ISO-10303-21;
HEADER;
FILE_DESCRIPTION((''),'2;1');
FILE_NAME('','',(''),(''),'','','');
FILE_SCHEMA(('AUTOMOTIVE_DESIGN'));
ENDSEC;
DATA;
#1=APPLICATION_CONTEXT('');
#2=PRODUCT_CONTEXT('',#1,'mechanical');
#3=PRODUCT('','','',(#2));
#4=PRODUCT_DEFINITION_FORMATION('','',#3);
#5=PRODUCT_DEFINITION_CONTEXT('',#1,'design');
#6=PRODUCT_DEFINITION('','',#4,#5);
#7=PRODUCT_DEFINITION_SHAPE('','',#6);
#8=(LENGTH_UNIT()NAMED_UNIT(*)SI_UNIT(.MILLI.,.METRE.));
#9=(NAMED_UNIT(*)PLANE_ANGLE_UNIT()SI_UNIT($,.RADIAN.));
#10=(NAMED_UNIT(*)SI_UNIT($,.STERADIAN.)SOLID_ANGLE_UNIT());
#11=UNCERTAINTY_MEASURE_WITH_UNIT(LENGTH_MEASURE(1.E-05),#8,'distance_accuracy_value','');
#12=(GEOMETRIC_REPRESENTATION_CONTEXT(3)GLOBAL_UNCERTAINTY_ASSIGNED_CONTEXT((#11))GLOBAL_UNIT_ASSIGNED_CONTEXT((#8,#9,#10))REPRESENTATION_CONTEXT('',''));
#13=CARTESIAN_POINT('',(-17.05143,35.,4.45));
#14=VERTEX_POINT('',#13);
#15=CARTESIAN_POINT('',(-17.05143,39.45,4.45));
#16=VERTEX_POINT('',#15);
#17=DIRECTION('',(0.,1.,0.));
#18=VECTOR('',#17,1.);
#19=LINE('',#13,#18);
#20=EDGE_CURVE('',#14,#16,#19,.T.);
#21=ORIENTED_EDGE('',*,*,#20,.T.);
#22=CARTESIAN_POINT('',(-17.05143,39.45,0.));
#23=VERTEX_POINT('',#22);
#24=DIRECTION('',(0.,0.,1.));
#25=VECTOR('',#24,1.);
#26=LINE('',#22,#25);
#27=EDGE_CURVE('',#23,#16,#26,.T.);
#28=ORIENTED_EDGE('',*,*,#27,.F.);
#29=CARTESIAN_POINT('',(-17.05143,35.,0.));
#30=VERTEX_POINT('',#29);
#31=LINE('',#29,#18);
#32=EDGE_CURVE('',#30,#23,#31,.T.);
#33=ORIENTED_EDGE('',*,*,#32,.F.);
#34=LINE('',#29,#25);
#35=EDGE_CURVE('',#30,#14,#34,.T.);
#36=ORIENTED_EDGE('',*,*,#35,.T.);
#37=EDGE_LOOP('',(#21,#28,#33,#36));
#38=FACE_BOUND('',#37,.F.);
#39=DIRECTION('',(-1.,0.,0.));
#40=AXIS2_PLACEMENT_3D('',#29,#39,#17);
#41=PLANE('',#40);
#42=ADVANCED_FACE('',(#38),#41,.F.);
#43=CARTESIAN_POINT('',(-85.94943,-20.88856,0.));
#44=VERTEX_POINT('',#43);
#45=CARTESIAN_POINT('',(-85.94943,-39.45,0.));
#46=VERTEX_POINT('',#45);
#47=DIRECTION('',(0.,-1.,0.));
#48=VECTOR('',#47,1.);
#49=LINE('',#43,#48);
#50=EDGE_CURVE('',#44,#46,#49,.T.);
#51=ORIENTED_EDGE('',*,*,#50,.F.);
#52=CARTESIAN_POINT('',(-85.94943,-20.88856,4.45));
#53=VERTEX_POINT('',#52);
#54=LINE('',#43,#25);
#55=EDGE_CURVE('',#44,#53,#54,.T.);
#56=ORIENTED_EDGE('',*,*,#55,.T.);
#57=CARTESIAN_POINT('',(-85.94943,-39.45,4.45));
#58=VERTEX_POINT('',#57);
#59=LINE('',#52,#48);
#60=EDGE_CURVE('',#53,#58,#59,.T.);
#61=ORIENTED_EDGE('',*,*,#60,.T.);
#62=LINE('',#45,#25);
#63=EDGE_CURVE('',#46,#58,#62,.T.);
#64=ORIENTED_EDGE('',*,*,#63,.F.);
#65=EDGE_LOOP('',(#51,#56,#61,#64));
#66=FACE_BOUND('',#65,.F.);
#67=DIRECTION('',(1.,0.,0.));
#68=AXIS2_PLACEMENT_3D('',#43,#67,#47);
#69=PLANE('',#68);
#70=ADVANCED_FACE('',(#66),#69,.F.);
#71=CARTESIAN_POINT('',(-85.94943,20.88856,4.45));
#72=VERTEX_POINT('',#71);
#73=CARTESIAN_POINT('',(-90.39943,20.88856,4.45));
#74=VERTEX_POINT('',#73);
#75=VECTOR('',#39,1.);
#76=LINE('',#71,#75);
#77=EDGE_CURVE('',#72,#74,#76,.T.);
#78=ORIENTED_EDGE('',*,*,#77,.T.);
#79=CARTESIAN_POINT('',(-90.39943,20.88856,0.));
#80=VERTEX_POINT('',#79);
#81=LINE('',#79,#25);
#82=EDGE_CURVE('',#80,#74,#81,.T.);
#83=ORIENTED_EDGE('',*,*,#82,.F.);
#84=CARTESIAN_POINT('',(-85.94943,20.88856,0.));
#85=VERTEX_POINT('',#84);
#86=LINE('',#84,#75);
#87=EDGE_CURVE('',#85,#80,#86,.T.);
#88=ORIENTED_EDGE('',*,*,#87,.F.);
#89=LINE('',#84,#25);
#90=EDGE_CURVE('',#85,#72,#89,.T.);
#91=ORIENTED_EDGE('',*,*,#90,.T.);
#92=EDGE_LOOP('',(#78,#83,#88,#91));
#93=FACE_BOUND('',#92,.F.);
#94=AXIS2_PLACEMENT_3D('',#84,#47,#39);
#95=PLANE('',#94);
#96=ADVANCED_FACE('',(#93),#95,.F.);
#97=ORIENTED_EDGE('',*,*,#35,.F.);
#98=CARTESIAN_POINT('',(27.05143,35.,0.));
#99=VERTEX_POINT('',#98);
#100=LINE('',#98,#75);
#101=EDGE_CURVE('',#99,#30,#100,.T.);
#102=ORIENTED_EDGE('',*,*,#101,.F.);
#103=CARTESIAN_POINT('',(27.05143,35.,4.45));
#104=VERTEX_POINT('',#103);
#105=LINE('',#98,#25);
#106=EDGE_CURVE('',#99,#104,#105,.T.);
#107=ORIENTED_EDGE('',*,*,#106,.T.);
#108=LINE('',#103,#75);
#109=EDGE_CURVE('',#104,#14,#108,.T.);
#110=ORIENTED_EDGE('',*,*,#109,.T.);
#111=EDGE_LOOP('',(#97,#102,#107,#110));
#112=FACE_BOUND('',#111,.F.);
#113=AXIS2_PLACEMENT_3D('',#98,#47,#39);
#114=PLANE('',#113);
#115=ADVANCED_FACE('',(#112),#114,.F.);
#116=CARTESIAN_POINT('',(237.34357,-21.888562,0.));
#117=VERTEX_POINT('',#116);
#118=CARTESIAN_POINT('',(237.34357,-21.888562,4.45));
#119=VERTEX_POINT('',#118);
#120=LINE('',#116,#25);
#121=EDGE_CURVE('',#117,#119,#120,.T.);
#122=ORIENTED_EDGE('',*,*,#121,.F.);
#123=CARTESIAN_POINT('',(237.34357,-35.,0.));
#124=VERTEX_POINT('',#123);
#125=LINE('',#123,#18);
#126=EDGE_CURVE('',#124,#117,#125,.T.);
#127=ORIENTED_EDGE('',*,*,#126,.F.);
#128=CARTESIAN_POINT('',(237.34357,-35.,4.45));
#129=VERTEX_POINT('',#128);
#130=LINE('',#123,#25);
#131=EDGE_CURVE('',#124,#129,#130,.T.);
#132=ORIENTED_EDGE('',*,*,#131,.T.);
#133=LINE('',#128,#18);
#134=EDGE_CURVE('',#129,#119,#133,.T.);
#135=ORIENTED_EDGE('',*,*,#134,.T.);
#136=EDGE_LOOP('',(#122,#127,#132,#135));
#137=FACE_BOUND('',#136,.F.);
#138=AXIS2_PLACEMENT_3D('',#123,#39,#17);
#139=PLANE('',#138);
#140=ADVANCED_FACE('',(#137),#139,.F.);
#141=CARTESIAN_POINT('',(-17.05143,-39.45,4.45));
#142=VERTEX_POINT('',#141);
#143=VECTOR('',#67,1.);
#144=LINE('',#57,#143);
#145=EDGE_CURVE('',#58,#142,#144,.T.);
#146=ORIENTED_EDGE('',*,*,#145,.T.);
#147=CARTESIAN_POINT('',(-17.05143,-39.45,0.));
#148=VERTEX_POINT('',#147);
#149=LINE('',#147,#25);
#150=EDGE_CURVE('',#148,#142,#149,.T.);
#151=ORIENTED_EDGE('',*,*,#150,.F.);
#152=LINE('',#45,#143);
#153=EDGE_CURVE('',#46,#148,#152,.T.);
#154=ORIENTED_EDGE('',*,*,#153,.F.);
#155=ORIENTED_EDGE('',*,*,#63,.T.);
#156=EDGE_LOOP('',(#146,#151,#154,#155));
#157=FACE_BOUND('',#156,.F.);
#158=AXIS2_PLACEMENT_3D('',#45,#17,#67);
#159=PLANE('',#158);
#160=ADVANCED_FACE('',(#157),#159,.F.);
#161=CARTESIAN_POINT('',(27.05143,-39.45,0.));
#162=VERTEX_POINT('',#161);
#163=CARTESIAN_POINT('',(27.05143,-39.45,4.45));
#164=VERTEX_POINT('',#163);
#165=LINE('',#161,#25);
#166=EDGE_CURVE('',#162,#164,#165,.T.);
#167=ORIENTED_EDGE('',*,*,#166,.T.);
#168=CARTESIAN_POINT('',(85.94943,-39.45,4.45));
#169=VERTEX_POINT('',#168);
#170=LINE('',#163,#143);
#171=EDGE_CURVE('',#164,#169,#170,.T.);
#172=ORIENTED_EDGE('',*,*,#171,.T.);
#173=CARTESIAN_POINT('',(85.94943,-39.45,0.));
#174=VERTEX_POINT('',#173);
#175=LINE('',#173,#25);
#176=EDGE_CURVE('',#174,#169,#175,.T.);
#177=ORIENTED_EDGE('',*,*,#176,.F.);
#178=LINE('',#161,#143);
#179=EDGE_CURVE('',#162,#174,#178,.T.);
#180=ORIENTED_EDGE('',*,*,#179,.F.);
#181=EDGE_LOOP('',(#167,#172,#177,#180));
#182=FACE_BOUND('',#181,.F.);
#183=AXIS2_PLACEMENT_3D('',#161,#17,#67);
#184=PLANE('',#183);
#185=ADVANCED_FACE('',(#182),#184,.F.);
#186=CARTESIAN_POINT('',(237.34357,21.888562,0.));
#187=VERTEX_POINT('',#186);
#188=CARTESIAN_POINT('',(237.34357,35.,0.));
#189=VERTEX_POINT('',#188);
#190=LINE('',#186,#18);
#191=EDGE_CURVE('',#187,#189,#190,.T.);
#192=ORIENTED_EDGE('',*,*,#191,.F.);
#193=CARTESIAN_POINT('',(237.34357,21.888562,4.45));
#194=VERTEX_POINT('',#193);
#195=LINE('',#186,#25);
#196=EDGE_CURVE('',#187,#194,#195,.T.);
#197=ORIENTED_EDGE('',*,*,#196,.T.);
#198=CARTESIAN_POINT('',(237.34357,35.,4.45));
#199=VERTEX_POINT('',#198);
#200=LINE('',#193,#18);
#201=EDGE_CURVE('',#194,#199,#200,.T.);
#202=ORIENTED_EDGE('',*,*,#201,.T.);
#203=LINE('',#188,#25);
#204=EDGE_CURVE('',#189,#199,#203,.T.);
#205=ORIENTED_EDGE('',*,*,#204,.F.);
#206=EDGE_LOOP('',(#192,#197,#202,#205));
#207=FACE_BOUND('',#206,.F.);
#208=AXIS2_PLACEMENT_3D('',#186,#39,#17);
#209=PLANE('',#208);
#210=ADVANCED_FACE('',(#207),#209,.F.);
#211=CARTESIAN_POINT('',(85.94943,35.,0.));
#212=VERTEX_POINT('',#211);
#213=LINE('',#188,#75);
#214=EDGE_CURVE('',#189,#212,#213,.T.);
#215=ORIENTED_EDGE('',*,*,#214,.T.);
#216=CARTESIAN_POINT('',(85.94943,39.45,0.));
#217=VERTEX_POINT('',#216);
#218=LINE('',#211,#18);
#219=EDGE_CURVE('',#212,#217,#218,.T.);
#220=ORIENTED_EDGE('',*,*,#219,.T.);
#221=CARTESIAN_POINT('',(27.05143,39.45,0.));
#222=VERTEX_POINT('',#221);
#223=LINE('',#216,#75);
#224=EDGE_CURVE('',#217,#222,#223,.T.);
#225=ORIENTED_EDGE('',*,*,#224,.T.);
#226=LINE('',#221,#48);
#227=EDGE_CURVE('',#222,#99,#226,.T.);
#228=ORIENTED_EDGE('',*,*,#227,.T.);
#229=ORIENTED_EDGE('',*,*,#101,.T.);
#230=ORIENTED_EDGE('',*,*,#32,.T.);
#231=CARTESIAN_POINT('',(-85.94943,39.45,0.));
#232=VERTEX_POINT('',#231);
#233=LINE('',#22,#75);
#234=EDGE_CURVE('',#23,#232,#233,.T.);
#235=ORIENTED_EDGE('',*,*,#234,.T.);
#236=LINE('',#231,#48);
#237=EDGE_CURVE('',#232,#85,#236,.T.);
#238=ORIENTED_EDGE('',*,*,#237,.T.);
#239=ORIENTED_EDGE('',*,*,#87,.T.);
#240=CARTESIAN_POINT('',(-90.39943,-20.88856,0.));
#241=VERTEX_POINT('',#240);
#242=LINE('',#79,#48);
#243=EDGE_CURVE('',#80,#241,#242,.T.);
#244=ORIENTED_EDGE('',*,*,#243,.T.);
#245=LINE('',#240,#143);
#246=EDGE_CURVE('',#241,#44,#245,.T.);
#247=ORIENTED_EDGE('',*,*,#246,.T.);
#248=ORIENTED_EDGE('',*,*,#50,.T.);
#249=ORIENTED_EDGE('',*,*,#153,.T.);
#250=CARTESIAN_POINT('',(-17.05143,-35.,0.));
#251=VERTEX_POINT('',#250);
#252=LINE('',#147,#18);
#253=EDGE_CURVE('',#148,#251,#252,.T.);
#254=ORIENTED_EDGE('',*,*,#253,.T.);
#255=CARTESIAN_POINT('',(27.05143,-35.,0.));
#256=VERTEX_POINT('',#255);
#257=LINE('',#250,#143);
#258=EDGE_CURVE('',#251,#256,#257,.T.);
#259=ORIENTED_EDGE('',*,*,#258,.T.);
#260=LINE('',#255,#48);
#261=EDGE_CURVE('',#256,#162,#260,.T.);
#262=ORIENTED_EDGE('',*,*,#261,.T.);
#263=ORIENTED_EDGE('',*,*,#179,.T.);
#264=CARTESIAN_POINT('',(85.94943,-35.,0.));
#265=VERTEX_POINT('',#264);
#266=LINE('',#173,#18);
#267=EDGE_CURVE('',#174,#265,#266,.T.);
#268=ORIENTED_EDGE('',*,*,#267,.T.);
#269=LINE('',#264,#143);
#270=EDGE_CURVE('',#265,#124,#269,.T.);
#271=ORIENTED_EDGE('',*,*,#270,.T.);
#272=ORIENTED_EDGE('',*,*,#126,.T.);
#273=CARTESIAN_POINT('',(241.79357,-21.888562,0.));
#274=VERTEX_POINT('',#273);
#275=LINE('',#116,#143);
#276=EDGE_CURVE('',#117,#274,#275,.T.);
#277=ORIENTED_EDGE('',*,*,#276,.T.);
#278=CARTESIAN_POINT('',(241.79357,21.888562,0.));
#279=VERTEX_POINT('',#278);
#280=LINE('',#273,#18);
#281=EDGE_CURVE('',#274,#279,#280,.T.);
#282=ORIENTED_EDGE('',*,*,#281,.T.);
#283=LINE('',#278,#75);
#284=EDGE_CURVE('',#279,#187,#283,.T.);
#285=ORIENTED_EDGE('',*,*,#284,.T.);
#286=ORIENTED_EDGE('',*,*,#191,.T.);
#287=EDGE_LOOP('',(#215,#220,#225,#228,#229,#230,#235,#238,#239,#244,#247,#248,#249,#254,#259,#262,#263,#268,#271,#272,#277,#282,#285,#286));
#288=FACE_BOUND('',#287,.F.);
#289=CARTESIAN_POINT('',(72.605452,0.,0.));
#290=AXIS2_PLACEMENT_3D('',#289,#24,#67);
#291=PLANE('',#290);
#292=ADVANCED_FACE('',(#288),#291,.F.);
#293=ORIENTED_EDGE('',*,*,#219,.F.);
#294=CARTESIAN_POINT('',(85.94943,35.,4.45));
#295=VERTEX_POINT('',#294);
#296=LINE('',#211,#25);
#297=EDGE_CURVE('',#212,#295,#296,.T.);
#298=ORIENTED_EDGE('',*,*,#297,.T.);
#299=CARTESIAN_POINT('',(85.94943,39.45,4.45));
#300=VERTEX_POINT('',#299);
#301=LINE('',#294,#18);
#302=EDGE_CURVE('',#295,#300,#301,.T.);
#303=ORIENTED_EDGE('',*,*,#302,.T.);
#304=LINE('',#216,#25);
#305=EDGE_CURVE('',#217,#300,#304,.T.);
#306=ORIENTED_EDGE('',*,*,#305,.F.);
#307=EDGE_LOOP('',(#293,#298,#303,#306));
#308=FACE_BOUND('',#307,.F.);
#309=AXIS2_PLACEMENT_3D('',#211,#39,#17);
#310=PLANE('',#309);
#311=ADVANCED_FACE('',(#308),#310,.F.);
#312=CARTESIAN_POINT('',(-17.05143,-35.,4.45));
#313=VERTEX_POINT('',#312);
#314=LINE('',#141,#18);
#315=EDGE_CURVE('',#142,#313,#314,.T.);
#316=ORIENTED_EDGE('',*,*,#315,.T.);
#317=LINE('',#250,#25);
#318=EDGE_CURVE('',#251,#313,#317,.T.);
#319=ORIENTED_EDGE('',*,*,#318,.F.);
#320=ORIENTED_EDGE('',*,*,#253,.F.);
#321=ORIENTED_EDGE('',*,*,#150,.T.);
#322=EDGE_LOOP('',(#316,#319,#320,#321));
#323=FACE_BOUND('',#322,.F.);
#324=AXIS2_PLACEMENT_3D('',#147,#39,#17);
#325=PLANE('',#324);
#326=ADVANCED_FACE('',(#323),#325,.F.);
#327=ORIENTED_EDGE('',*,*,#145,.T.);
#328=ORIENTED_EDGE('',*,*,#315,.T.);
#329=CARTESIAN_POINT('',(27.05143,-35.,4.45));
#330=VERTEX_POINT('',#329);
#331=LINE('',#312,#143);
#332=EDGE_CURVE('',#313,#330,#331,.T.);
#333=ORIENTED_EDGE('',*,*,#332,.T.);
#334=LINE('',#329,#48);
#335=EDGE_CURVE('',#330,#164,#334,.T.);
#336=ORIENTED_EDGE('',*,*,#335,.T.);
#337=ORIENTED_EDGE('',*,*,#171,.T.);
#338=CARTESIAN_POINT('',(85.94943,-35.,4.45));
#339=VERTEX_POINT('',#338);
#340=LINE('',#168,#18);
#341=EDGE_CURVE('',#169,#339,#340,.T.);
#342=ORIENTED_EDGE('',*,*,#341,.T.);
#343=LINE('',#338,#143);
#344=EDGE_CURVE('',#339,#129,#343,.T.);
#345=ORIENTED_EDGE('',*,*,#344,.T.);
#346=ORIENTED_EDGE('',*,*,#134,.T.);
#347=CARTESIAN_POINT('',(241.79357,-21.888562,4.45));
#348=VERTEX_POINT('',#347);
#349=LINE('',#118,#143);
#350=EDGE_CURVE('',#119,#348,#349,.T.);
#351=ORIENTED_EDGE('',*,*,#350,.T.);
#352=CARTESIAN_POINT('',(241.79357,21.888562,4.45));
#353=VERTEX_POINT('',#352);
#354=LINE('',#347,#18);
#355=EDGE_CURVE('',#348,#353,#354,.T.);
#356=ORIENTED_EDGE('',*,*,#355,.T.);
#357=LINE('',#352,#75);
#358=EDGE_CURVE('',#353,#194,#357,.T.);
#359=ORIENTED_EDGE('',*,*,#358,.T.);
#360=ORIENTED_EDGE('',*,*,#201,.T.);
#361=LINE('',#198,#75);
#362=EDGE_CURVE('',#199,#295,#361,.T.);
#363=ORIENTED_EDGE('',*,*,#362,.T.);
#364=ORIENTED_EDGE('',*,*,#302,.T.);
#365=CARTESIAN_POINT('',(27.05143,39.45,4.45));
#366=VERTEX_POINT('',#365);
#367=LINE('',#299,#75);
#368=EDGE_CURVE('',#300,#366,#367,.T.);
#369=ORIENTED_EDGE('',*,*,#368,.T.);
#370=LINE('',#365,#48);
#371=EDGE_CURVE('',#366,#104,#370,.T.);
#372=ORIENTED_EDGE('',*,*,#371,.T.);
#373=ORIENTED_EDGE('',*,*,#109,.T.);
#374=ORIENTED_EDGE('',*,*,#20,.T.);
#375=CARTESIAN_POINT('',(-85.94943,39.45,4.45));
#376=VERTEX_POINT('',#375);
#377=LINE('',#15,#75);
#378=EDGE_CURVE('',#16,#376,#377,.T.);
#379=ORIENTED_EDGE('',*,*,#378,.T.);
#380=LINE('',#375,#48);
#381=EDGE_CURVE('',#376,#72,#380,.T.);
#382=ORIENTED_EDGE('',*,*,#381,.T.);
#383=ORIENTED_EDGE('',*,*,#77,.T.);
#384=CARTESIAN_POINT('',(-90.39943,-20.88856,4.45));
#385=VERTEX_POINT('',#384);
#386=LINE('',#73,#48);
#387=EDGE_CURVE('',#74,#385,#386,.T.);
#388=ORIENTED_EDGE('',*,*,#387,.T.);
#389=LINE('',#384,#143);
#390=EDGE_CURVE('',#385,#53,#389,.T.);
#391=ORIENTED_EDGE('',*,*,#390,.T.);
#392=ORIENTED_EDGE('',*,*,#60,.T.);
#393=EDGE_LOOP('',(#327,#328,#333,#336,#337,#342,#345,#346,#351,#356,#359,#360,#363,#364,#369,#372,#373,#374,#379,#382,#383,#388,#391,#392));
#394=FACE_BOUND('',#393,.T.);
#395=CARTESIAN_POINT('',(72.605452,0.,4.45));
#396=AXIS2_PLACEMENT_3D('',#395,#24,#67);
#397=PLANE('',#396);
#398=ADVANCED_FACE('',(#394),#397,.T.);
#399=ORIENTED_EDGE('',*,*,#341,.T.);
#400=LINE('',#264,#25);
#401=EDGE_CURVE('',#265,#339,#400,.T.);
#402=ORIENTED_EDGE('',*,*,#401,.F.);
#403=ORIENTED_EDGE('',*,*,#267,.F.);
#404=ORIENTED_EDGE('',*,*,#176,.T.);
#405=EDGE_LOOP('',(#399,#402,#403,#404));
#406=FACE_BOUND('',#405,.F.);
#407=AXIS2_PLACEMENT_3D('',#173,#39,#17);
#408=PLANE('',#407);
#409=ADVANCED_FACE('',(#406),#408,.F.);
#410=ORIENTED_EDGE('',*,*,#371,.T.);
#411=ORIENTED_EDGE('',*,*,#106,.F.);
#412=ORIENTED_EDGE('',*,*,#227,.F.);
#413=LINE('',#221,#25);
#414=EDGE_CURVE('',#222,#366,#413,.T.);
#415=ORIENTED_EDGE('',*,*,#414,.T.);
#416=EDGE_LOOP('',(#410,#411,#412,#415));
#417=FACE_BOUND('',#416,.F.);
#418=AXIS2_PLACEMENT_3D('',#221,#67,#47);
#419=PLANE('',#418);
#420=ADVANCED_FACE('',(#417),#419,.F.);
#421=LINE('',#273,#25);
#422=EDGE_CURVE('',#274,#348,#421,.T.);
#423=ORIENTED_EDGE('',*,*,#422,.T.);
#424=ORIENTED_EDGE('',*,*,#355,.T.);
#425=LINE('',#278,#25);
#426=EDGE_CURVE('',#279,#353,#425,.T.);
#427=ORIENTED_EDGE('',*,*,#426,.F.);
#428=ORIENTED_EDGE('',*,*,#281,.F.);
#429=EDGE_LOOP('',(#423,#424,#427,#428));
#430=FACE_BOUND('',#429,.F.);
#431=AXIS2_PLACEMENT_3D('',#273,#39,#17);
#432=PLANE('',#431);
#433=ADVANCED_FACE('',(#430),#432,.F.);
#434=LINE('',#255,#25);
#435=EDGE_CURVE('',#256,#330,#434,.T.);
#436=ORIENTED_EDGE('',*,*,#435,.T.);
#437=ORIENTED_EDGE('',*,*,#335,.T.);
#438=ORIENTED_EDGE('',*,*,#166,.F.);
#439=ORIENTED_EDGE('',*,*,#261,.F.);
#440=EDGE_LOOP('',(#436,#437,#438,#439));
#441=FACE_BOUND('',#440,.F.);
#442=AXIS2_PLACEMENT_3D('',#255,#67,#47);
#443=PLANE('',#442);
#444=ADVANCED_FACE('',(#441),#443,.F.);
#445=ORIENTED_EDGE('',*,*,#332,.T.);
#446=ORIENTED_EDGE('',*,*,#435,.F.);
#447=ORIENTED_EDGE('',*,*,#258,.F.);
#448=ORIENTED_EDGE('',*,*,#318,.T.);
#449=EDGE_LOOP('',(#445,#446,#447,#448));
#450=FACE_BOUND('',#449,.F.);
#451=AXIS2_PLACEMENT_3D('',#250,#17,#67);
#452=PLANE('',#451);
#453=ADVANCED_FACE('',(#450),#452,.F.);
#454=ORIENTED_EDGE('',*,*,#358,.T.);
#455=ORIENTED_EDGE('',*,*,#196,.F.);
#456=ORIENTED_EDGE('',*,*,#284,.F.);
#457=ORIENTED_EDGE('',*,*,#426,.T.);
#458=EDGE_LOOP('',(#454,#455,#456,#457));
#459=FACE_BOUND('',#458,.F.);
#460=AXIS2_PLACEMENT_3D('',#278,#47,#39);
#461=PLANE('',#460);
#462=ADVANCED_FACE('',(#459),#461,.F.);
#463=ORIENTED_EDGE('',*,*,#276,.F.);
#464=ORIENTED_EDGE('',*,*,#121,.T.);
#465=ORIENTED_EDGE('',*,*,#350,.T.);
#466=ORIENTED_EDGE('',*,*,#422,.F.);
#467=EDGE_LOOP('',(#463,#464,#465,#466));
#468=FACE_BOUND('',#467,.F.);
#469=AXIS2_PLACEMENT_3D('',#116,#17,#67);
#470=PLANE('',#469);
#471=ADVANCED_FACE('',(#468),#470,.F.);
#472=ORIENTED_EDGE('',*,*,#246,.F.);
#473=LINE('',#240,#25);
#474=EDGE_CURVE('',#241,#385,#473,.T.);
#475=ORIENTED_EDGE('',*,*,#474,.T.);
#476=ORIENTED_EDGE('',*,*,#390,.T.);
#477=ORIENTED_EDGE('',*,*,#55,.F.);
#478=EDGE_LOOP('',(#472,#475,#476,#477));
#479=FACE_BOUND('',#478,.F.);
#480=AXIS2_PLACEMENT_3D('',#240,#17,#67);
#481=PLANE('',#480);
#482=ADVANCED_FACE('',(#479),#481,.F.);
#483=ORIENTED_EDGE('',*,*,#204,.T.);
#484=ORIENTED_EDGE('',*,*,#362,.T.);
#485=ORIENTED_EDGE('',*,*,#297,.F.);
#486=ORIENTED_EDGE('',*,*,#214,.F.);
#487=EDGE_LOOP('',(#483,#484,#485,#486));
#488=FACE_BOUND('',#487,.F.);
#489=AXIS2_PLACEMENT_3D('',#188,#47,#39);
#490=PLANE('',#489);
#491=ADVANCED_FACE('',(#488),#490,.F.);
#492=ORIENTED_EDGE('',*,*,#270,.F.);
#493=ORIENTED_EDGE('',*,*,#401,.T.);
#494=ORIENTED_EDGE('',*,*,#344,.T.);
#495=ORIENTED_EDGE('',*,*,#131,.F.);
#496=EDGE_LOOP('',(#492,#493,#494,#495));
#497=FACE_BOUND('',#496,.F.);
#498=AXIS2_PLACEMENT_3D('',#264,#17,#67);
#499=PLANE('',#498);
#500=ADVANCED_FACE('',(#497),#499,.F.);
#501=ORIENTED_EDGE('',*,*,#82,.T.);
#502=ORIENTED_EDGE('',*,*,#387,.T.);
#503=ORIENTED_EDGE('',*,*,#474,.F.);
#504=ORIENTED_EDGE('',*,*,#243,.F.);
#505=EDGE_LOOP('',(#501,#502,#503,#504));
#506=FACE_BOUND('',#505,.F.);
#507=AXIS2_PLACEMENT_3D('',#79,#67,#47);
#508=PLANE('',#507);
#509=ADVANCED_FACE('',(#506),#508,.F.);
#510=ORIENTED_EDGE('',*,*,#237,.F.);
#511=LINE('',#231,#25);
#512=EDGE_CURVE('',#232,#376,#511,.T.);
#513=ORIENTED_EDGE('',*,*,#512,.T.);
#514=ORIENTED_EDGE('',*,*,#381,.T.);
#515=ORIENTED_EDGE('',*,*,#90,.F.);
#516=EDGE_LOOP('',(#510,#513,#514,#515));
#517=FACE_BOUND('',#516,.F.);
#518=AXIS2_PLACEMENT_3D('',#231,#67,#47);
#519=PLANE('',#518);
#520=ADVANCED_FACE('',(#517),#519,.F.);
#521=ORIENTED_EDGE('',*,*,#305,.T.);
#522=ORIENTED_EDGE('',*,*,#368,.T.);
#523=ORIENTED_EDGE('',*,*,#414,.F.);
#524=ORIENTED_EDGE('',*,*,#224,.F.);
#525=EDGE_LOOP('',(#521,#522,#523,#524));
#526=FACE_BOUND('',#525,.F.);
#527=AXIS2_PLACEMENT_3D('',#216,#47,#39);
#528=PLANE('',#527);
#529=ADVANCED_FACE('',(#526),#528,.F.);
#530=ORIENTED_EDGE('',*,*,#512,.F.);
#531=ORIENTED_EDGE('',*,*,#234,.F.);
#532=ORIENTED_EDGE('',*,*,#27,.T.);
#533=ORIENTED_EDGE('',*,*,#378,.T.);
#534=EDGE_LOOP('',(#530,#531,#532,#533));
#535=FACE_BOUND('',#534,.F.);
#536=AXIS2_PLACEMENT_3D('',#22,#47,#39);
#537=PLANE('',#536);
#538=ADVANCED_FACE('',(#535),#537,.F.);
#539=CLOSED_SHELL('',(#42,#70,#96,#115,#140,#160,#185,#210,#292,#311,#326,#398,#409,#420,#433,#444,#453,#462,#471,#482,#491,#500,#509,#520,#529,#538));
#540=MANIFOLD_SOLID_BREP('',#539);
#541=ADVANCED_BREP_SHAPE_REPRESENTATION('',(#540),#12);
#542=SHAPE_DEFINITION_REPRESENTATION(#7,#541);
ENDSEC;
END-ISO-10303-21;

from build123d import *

# Parameters (mm, degrees)
F1_DEPTH = 4.45


with BuildPart() as f1:
    # F0 (on Top) → F1 (new body)
    with BuildSketch(Plane.XY):
        Polygon((-17.05143, -35), (27.05143, -35), (27.05143, -39.45), (85.94943, -39.45), (85.94943, -35), (237.34357, -35), (237.34357, -21.888562), (241.79357, -21.888562), (241.79357, 21.888562), (237.34357, 21.888562), (237.34357, 35), (85.94943, 35), (85.94943, 39.45), (27.05143, 39.45), (27.05143, 35), (-17.05143, 35), (-17.05143, 39.45), (-85.94943, 39.45), (-85.94943, 35), (-85.94943, 20.88856), (-90.39943, 20.88856), (-90.39943, -20.88856), (-85.94943, -20.88856), (-85.94943, -35), (-85.94943, -39.45), (-17.05143, -39.45), align=None)
    extrude(amount=F1_DEPTH)


solid = f1.part
